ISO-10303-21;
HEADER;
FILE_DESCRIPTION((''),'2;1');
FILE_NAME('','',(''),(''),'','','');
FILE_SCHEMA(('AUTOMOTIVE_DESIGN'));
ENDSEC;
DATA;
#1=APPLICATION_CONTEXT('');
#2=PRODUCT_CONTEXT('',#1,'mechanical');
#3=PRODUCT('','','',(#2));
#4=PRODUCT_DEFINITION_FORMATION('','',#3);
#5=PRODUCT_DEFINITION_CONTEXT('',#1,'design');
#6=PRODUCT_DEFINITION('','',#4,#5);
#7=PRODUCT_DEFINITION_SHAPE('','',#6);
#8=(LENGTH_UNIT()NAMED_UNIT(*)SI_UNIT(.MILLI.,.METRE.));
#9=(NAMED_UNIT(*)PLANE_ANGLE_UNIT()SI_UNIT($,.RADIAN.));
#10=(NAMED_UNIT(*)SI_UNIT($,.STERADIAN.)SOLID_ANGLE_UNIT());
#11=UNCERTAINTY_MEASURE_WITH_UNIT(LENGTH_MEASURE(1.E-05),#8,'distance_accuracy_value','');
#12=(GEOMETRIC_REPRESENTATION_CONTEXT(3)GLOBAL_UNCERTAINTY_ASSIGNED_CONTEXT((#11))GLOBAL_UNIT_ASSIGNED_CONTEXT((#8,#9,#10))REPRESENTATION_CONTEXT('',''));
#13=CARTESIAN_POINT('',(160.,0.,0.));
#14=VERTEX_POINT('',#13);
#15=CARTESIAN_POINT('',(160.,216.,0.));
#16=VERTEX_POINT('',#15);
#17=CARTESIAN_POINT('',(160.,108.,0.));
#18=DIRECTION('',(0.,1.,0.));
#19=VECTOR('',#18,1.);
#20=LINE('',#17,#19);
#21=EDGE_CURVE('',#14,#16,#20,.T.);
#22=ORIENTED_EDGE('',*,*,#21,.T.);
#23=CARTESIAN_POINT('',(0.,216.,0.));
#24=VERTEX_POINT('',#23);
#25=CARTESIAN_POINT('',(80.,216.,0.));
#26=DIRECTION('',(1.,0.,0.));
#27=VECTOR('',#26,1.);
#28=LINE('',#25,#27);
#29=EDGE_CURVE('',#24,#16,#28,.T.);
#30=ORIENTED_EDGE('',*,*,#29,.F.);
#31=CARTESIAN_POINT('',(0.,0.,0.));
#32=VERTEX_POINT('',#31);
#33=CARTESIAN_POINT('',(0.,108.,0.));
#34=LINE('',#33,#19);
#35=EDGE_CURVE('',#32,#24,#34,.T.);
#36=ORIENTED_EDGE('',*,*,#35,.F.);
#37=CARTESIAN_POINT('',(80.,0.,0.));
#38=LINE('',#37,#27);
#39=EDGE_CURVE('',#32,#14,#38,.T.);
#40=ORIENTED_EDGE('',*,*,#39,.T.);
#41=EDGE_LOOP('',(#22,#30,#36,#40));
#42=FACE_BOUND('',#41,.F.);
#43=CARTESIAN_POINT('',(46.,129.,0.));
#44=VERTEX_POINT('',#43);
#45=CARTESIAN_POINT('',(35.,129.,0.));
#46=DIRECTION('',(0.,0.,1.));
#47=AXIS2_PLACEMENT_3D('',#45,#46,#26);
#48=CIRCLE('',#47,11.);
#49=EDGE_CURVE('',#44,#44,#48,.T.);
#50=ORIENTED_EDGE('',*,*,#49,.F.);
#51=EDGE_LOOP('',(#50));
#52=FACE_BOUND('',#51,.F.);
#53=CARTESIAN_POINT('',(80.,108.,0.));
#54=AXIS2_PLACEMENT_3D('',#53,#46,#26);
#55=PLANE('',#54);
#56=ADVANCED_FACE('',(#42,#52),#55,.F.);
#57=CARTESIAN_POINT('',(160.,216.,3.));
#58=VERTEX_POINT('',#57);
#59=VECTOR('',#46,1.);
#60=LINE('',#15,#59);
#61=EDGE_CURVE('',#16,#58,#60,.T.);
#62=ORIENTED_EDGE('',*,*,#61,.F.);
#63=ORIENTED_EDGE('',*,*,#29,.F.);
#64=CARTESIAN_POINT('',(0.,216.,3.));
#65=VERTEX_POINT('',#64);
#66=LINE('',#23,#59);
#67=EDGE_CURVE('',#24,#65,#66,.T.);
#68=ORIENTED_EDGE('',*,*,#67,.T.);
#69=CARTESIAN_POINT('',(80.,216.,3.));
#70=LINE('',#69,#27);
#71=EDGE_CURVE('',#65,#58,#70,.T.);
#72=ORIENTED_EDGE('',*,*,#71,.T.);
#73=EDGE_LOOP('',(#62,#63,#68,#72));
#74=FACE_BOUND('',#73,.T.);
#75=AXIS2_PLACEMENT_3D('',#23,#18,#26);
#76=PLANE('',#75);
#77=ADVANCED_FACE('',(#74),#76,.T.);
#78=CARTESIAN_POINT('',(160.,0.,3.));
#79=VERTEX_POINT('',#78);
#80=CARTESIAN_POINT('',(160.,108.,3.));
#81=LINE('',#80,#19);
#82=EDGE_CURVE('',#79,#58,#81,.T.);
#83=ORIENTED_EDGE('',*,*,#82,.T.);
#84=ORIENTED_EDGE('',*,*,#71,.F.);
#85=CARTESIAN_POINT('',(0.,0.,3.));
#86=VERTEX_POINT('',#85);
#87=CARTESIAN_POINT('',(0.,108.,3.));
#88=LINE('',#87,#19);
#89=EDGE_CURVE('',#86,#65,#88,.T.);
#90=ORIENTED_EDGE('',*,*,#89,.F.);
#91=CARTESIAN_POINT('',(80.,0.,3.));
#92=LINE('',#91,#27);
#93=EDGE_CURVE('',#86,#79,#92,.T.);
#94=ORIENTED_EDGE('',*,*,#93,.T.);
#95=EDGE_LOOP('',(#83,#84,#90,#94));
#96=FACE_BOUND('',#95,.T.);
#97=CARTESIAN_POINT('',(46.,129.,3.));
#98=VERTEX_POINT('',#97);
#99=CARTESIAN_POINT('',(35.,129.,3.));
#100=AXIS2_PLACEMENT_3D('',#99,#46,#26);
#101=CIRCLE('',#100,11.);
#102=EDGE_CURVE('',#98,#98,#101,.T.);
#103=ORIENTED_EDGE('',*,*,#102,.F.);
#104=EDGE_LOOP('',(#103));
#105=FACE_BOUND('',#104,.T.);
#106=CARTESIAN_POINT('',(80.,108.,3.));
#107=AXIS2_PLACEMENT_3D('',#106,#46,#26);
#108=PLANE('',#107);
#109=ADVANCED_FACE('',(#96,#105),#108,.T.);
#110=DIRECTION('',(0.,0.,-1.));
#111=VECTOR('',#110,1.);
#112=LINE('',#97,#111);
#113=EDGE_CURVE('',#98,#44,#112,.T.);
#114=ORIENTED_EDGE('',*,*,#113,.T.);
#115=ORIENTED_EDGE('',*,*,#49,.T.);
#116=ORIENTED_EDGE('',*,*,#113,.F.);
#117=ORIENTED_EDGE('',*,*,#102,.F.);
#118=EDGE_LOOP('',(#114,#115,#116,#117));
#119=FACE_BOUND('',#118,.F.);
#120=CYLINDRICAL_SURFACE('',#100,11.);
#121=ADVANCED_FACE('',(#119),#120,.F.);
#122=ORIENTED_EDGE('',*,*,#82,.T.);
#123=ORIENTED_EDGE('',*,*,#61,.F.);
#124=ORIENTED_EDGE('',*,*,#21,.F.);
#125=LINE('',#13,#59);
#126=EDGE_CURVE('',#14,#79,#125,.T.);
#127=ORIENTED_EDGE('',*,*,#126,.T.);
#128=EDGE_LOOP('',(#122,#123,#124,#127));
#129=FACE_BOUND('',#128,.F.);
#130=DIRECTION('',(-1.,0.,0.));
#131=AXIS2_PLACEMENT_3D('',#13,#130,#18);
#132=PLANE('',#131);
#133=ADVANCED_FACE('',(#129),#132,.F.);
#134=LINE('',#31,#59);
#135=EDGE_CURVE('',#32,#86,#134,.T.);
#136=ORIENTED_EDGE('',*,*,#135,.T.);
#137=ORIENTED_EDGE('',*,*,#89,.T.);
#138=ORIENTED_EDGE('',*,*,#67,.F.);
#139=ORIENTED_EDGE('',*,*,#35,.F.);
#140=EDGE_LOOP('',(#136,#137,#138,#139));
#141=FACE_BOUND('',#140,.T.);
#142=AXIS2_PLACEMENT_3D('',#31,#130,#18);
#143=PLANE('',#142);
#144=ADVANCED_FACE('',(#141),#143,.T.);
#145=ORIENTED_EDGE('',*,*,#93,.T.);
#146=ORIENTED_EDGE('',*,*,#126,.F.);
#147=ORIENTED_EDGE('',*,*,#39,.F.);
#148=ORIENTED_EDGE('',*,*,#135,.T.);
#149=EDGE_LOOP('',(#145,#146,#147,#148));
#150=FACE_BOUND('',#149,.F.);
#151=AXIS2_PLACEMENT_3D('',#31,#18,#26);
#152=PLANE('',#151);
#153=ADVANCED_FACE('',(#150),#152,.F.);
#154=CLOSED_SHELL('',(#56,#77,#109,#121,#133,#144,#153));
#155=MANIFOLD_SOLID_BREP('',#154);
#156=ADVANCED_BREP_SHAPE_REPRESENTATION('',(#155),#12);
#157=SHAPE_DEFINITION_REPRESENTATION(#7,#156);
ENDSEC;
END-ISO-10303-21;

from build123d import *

# Parameters (mm, degrees)
SKETCH1_W           = 160
SKETCH1_H           = 216
BOSS_EXTRUDE1_DEPTH = 3
SKETCH2_R           = 11
CUT_EXTRUDE1_DEPTH  = 3


with BuildPart() as part:
    # Sketch1 → Boss-Extrude1 (new body)
    with BuildSketch(Plane.XY):
        with Locations((80, 108)):
            Rectangle(SKETCH1_W, SKETCH1_H)
    extrude(amount=BOSS_EXTRUDE1_DEPTH)

    # Sketch2 → Cut-Extrude1 (cut)
    with BuildSketch(Plane.XY.offset(3)):
        with Locations((35, 129)):
            Circle(SKETCH2_R)
    extrude(amount=-CUT_EXTRUDE1_DEPTH, mode=Mode.SUBTRACT)


solid = part.part
